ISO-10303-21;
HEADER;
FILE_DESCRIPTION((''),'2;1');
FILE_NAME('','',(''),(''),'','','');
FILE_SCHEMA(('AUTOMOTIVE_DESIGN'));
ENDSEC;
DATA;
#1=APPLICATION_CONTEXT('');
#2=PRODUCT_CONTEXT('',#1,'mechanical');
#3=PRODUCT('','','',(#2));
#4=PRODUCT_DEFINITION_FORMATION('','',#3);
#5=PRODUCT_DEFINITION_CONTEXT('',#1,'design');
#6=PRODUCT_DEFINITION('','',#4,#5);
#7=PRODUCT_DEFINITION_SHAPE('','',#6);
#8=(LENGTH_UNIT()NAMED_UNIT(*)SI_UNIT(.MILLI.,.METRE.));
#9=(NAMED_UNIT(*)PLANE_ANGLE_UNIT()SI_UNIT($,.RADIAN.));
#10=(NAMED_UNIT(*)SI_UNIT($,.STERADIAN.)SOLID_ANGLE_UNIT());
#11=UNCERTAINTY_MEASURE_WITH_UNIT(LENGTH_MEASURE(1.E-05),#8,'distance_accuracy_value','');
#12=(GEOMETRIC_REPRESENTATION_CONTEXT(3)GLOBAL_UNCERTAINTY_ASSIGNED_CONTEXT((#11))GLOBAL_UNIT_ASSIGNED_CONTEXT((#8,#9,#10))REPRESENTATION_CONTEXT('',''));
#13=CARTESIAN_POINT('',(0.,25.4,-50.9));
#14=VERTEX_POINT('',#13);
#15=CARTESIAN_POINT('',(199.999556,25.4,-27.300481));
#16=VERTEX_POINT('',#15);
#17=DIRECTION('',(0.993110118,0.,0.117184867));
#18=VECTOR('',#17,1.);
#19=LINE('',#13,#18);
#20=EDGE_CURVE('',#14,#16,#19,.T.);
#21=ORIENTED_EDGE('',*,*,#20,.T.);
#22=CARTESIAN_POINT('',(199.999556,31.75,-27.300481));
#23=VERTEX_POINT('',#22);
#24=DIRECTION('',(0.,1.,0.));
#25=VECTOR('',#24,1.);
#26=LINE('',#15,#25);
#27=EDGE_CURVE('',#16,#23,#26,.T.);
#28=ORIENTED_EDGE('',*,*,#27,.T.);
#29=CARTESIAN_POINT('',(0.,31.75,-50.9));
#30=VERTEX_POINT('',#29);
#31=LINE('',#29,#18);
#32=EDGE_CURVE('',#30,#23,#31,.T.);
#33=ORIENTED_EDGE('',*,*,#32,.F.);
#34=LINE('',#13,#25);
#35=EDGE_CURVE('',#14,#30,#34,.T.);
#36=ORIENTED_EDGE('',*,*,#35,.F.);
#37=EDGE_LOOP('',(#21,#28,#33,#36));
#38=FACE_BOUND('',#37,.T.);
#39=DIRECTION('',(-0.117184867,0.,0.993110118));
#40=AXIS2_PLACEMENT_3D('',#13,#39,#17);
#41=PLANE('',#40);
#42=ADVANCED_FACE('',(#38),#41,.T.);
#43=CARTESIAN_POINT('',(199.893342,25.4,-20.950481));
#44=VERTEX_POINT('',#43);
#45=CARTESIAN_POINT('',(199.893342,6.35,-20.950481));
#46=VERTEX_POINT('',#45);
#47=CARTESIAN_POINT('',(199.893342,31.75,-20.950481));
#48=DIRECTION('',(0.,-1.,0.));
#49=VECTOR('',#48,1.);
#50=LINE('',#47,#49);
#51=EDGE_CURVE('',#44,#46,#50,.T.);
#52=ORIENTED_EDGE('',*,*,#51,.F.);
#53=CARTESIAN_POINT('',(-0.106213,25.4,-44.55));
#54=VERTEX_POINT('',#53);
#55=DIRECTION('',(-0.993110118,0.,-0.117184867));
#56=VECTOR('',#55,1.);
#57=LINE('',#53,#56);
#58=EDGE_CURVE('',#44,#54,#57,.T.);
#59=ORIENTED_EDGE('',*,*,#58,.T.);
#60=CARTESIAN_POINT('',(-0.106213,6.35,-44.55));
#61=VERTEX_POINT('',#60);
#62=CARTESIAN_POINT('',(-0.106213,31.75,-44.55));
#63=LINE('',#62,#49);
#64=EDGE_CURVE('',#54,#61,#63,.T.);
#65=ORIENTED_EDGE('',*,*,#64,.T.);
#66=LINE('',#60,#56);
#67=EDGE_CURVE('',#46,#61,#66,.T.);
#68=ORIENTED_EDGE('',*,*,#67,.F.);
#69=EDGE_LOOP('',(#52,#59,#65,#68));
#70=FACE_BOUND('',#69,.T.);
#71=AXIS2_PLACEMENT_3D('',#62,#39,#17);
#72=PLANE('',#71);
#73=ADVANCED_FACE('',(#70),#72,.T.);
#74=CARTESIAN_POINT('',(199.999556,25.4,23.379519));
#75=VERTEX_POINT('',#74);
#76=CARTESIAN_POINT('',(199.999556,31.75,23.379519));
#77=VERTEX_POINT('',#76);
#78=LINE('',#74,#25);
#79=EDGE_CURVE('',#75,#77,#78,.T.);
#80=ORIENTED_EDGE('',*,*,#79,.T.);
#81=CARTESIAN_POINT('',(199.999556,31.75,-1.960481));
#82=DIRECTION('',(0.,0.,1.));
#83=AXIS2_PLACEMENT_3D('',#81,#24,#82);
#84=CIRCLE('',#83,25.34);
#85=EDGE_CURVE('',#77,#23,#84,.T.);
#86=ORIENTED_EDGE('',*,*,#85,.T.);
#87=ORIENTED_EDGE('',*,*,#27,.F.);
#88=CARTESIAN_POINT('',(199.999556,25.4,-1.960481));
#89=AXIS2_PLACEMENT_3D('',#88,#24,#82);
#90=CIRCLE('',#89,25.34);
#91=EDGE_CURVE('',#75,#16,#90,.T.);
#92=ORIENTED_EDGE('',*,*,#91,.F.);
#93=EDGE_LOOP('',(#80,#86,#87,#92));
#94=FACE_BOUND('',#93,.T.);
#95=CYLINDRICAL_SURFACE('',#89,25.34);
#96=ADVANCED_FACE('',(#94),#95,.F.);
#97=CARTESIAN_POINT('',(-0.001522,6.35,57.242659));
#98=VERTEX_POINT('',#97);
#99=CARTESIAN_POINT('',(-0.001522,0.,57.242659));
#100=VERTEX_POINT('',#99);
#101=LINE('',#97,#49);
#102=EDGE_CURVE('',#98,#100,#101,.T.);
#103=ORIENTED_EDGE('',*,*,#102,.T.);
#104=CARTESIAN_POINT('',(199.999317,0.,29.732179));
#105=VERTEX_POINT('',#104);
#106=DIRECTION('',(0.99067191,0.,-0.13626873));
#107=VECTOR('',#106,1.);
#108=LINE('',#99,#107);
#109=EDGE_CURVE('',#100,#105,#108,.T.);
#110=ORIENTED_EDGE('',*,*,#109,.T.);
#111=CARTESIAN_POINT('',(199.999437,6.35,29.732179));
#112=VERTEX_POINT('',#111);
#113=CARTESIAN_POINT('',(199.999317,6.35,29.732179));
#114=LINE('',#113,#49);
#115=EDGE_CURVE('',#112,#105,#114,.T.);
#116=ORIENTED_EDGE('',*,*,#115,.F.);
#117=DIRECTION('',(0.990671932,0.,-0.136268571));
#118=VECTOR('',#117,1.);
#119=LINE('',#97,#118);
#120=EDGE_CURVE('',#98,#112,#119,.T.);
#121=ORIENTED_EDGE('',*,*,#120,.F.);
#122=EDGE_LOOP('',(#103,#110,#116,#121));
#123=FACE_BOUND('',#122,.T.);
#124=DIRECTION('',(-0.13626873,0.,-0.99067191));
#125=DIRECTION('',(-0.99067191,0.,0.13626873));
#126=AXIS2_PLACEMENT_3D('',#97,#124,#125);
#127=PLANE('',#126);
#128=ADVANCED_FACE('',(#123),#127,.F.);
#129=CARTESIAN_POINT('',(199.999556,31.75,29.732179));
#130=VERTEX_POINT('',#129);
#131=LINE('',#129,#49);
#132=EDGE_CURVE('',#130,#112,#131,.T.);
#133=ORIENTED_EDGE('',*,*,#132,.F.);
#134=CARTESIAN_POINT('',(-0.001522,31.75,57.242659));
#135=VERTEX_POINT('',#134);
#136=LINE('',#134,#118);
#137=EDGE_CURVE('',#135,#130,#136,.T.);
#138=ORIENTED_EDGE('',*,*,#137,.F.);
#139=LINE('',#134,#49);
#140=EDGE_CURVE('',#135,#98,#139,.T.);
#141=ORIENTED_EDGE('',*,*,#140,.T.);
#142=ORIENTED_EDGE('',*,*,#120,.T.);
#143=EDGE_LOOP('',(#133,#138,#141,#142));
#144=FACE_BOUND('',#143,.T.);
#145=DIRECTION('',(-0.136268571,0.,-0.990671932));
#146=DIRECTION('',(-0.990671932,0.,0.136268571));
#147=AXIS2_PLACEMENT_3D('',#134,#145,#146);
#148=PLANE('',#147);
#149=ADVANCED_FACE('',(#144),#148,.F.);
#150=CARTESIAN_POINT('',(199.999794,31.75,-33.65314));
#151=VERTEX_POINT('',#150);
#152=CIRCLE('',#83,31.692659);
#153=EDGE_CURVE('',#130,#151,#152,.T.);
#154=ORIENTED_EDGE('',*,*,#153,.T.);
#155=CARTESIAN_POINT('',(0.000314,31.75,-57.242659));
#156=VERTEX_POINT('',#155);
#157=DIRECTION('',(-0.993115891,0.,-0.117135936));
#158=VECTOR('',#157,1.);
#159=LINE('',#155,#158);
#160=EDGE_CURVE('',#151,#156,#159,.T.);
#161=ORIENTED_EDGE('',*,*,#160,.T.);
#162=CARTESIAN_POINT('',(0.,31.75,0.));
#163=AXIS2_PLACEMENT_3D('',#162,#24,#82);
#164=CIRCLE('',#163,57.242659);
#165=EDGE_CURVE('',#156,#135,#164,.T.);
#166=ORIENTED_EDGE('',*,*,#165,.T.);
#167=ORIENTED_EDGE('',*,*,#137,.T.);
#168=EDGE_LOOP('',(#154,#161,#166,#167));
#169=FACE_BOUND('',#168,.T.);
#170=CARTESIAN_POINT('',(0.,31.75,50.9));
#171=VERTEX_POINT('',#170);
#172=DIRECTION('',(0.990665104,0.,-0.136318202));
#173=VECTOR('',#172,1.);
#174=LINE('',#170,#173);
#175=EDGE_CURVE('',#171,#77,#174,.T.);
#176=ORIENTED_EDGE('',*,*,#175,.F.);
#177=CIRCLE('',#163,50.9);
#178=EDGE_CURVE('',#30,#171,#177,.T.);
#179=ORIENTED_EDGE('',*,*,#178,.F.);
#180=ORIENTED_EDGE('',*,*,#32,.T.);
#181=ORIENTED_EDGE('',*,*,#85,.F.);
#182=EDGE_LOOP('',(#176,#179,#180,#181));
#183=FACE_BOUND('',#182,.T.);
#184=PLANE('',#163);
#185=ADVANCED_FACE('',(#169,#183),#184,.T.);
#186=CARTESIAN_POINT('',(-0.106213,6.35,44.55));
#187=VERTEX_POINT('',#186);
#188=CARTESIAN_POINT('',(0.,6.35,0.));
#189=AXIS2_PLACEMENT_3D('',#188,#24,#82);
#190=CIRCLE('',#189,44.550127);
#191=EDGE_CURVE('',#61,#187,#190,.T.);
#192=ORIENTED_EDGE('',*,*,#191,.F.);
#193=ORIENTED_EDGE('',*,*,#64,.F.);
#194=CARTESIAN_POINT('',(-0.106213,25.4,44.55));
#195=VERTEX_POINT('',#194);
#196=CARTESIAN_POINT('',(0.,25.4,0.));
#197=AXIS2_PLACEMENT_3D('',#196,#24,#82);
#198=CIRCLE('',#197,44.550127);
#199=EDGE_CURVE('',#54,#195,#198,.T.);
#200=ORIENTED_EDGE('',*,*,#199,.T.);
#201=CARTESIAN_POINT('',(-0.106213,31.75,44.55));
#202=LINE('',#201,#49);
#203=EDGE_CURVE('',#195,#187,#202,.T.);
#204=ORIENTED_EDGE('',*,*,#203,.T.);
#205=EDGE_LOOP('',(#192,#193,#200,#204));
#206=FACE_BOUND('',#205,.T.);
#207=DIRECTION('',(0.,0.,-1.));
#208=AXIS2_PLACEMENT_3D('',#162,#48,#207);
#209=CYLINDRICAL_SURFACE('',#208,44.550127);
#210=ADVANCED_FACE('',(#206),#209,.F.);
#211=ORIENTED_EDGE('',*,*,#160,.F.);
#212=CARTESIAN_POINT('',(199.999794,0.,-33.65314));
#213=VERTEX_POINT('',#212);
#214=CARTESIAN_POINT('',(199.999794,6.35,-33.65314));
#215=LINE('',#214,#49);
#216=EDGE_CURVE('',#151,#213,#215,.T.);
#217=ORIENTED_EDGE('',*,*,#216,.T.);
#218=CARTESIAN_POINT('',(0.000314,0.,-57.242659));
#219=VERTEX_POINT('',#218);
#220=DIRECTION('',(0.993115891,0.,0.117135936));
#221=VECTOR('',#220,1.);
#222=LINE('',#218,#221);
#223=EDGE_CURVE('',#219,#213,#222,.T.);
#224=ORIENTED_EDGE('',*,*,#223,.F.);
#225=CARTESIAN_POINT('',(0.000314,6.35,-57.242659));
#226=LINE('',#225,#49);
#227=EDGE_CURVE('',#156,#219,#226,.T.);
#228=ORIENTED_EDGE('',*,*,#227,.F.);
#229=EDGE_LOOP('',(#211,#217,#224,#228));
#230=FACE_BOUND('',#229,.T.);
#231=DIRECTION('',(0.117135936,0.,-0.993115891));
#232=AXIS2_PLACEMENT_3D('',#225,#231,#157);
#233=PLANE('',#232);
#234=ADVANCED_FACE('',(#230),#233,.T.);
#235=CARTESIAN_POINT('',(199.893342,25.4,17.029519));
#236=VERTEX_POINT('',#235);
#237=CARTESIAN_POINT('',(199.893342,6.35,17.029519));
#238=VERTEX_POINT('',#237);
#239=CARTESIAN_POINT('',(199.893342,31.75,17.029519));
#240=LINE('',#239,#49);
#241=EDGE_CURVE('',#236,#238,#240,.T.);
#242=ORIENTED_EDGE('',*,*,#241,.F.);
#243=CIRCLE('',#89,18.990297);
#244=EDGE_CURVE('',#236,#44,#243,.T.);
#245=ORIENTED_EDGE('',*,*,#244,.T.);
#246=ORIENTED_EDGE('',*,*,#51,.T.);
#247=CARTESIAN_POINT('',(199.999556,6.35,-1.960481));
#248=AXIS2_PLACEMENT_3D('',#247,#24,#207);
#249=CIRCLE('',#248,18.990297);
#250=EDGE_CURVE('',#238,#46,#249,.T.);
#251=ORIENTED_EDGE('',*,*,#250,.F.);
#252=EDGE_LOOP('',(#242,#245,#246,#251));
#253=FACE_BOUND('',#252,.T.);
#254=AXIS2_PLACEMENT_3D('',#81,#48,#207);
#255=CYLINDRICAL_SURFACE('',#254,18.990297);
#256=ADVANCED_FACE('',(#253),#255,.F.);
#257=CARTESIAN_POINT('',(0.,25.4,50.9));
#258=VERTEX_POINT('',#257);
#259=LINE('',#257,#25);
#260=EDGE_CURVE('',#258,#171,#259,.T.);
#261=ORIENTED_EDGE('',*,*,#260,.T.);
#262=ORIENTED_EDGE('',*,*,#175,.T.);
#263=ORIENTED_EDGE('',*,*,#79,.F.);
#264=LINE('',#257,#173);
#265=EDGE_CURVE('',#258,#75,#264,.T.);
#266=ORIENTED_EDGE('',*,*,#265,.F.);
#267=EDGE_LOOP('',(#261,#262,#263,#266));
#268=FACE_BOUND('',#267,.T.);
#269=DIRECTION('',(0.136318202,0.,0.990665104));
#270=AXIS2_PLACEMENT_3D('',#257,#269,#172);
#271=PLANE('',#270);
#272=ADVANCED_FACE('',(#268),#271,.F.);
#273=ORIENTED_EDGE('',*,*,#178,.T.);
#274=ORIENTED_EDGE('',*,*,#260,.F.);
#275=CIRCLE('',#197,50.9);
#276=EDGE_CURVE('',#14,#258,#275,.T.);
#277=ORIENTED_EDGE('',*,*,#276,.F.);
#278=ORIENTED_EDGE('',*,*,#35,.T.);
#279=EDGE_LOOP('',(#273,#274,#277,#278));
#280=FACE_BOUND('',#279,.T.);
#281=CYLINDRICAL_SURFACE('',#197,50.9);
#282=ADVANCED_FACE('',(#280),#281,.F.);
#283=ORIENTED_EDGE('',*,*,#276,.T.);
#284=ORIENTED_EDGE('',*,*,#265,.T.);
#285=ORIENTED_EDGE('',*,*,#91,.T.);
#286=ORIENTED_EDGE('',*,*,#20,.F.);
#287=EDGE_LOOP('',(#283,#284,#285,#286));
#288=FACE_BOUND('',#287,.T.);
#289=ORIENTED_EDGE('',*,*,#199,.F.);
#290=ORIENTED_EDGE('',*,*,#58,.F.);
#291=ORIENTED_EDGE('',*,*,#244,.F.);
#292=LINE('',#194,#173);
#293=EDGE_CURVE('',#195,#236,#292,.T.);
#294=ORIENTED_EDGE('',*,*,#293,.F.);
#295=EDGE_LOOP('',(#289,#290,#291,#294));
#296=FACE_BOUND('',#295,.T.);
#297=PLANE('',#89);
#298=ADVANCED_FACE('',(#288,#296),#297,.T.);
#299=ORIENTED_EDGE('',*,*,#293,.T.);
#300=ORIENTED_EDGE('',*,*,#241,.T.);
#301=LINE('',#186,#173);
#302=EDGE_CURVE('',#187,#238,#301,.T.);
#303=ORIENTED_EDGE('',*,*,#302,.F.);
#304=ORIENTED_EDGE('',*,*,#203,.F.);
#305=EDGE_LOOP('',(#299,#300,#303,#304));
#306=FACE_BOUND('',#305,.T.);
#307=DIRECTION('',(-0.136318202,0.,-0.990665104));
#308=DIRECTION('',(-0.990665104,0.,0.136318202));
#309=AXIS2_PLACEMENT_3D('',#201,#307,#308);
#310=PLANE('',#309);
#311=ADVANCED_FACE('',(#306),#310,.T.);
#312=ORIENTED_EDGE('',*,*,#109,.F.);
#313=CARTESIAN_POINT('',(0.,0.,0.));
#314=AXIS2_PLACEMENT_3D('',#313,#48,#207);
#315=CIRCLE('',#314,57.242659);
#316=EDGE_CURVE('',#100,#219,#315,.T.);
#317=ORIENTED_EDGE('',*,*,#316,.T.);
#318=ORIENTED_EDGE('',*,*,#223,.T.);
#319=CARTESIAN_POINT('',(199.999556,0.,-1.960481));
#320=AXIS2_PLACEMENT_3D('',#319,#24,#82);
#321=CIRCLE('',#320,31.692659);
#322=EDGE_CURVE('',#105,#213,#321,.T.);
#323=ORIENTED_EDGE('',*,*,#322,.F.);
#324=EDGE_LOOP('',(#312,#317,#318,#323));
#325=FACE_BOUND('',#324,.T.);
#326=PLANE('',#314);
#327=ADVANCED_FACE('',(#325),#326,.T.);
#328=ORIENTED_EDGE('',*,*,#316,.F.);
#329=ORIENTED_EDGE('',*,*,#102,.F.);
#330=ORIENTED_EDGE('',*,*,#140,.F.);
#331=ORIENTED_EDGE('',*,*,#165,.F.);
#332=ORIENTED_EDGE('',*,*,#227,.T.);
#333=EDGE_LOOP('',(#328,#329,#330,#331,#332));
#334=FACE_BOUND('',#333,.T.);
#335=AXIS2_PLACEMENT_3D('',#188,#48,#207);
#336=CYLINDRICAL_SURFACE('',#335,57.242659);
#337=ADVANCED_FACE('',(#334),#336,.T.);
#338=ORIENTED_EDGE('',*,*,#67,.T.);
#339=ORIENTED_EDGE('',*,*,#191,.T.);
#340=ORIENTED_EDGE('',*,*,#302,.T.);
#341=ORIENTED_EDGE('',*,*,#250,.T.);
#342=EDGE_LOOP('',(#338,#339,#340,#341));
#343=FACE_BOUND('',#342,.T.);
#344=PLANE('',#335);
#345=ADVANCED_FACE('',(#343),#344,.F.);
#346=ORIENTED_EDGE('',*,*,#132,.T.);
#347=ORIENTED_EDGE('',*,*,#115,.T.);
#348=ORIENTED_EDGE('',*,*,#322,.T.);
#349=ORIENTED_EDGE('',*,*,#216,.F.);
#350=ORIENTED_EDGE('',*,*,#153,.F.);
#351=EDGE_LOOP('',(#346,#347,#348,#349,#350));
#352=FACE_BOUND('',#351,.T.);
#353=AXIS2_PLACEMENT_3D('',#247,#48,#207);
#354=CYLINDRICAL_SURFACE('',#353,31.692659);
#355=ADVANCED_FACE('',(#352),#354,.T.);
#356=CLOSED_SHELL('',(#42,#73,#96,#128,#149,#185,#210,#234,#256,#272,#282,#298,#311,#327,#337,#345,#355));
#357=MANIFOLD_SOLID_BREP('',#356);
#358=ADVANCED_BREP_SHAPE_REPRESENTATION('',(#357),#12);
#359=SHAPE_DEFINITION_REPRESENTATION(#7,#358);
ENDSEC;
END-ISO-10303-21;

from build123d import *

# Parameters (mm, degrees)
BOSS_EXTRUDE1_DEPTH = 6.35
BOSS_EXTRUDE3_DEPTH = 25.4
CUT_EXTRUDE2_DEPTH  = 6.35


with BuildPart() as part:
    # Sketch1 → Boss-Extrude1 (new body)
    with BuildSketch(Plane(origin=(0, 0, 0), x_dir=(1, 0, 0), z_dir=(0, 1, 0))):
        with BuildLine():
            Line((0.000313665, 57.24265935), (199.999794406, 33.65314008))
            ThreePointArc((199.999794406, 33.65314008), (231.692215245, 1.96024222), (199.999317386, -29.732178619))
            Line((199.999317386, -29.732178619), (-0.001522287, -57.242659331))
            ThreePointArc((-0.001522287, -57.242659331), (-57.242659343, 0.000917976), (0.000313665, 57.24265935))
        make_face()
    extrude(amount=BOSS_EXTRUDE1_DEPTH)

    # Sketch5 → Boss-Extrude3 (add)
    with BuildSketch(Plane(origin=(0, 6.35, 0), x_dir=(1, 0, 0), z_dir=(0, 1, 0))):
        with BuildLine():
            Line((0.000313665, 57.24265935), (199.999794406, 33.65314008))
            ThreePointArc((199.999794406, 33.65314008), (231.692215246, 1.960361475), (199.999555896, -29.73217862))
            Line((199.999555896, -29.73217862), (-0.001522287, -57.242659331))
            ThreePointArc((-0.001522287, -57.242659331), (-57.242659343, 0.000917976), (0.000313665, 57.24265935))
        make_face()
        with BuildLine():
            Line((-0.10621345, 44.55), (199.893342446, 20.95048073))
            ThreePointArc((199.893342446, 20.95048073), (218.989852926, 1.96048073), (199.893342446, -17.02951927))
            Line((199.893342446, -17.02951927), (-0.10621345, -44.55))
            ThreePointArc((-0.10621345, -44.55), (-44.550126614, 0), (-0.10621345, 44.55))
        make_face(mode=Mode.SUBTRACT)
    extrude(amount=BOSS_EXTRUDE3_DEPTH)

    # Sketch6 → Cut-Extrude2 (cut)
    with BuildSketch(Plane(origin=(0, 31.75, 0), x_dir=(1, 0, 0), z_dir=(0, 1, 0))):
        with BuildLine():
            Line((0, 50.9), (199.999555896, 27.30048073))
            ThreePointArc((199.999555896, 27.30048073), (225.339555896, 1.96048073), (199.999555896, -23.37951927))
            Line((199.999555896, -23.37951927), (0, -50.9))
            ThreePointArc((0, -50.9), (-50.9, 0), (0, 50.9))
        make_face()
    extrude(amount=-CUT_EXTRUDE2_DEPTH, mode=Mode.SUBTRACT)


solid = part.part
